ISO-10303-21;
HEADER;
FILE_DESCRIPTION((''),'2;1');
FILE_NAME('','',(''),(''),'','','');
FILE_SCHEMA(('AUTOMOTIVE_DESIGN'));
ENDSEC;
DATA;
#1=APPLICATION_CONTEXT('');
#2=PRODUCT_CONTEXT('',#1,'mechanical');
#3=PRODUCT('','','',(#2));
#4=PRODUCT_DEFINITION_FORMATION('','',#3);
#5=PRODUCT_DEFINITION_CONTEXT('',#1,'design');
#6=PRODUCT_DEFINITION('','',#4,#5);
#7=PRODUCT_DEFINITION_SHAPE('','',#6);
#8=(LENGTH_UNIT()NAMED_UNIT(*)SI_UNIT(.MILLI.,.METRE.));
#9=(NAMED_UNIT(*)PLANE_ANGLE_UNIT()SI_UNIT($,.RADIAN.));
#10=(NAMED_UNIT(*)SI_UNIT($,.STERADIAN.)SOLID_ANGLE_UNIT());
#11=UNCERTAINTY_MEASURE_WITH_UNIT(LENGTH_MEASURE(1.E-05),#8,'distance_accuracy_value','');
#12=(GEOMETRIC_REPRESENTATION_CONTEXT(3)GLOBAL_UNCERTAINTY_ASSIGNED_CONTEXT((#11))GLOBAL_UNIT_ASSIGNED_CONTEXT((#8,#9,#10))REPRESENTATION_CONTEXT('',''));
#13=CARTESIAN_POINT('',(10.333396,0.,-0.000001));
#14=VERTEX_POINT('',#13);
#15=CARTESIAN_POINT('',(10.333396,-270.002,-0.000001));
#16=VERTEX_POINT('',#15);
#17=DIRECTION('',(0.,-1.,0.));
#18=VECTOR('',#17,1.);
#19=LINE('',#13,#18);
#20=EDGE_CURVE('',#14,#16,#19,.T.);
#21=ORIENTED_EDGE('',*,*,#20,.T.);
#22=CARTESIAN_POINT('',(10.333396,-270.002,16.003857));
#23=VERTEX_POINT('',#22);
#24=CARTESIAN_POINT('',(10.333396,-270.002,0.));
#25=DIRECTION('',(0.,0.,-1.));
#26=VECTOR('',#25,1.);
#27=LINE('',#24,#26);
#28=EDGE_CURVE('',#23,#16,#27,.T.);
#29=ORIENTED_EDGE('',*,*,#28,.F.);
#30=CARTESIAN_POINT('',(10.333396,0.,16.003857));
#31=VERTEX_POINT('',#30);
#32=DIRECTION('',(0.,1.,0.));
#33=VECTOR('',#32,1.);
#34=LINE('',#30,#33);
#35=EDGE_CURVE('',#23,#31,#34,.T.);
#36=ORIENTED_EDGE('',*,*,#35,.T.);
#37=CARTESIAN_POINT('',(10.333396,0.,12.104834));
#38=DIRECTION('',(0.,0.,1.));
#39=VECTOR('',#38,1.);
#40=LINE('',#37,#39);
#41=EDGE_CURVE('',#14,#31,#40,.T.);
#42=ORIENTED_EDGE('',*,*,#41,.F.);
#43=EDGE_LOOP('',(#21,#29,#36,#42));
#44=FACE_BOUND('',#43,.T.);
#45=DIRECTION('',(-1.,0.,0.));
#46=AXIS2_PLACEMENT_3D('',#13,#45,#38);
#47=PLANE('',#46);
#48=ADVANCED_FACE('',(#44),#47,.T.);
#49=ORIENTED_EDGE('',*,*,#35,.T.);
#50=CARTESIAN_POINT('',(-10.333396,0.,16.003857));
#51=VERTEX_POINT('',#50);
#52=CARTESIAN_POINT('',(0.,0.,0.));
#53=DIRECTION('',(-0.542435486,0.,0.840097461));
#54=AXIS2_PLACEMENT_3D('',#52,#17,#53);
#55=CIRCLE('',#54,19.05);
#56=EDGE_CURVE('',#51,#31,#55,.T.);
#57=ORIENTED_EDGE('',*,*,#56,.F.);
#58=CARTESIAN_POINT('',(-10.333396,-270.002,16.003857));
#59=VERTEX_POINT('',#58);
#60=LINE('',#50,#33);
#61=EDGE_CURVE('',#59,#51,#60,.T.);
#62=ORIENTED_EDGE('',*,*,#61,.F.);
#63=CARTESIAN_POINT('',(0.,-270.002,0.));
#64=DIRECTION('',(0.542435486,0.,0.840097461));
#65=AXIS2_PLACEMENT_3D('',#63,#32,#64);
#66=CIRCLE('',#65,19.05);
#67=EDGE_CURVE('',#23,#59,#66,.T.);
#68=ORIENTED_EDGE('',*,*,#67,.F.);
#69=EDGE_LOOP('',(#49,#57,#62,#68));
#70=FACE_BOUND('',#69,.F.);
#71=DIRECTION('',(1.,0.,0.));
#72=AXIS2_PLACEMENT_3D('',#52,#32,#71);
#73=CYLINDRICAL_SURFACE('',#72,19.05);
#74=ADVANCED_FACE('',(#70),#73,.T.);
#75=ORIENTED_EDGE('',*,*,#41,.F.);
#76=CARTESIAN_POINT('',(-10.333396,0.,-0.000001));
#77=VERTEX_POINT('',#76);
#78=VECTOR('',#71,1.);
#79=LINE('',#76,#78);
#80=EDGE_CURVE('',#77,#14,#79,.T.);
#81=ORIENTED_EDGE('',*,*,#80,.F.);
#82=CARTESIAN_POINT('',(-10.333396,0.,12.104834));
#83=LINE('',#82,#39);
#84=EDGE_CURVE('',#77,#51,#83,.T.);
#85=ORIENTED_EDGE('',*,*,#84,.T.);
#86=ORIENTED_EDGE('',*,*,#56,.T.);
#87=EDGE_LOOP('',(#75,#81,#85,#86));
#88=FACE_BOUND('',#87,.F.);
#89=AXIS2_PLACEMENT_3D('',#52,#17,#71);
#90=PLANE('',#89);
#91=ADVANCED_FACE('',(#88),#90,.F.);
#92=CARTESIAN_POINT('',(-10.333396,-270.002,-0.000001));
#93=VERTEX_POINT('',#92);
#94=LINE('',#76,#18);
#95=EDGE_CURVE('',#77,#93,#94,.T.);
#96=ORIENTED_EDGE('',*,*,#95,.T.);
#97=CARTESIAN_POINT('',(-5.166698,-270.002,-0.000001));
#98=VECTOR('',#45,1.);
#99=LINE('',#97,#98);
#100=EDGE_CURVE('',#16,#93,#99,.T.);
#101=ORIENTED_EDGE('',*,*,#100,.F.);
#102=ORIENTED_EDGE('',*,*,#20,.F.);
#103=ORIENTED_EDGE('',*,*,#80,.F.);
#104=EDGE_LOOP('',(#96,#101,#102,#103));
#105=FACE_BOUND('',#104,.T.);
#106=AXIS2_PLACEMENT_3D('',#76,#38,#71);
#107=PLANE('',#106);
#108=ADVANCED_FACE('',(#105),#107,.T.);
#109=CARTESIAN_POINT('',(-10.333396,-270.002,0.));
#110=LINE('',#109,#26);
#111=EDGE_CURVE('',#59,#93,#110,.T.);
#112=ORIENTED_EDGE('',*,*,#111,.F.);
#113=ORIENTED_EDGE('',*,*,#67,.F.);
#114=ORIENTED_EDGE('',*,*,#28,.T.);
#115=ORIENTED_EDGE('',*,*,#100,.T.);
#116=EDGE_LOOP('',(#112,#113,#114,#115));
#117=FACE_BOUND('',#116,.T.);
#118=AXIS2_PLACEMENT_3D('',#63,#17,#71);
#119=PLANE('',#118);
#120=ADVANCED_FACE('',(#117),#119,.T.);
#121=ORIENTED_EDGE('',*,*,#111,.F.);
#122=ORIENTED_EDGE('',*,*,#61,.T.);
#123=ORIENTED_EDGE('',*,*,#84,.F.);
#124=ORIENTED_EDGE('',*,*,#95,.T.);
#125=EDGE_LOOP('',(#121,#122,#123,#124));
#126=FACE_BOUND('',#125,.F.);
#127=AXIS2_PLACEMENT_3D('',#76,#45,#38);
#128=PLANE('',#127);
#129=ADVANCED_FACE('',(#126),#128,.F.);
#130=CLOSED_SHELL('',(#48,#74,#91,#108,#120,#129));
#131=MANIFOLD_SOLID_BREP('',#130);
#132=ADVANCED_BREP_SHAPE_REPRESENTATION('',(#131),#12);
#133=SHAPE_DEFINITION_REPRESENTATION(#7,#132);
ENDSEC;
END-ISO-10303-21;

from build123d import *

# Parameters (mm, degrees)
F0_R     = 19.05
F1_DEPTH = 270.002
F2_W     = 10.333396
F2_H     = 24.209669
F3_DEPTH = 279.146


with BuildPart() as f1:
    # F0 (on Front) → F1 (new body)
    with BuildSketch(Plane.XZ):
        Circle(F0_R)
    extrude(amount=F1_DEPTH)

    # F2 (on Front) → F3 (cut)
    with BuildSketch(Plane.XZ):
        with Locations((-5.166698, 12.104834)):
            Rectangle(F2_W, F2_H)
        with Locations((5.166698, 12.104834)):
            Rectangle(F2_W, F2_H)
    extrude(amount=F3_DEPTH, mode=Mode.SUBTRACT)


solid = f1.part
